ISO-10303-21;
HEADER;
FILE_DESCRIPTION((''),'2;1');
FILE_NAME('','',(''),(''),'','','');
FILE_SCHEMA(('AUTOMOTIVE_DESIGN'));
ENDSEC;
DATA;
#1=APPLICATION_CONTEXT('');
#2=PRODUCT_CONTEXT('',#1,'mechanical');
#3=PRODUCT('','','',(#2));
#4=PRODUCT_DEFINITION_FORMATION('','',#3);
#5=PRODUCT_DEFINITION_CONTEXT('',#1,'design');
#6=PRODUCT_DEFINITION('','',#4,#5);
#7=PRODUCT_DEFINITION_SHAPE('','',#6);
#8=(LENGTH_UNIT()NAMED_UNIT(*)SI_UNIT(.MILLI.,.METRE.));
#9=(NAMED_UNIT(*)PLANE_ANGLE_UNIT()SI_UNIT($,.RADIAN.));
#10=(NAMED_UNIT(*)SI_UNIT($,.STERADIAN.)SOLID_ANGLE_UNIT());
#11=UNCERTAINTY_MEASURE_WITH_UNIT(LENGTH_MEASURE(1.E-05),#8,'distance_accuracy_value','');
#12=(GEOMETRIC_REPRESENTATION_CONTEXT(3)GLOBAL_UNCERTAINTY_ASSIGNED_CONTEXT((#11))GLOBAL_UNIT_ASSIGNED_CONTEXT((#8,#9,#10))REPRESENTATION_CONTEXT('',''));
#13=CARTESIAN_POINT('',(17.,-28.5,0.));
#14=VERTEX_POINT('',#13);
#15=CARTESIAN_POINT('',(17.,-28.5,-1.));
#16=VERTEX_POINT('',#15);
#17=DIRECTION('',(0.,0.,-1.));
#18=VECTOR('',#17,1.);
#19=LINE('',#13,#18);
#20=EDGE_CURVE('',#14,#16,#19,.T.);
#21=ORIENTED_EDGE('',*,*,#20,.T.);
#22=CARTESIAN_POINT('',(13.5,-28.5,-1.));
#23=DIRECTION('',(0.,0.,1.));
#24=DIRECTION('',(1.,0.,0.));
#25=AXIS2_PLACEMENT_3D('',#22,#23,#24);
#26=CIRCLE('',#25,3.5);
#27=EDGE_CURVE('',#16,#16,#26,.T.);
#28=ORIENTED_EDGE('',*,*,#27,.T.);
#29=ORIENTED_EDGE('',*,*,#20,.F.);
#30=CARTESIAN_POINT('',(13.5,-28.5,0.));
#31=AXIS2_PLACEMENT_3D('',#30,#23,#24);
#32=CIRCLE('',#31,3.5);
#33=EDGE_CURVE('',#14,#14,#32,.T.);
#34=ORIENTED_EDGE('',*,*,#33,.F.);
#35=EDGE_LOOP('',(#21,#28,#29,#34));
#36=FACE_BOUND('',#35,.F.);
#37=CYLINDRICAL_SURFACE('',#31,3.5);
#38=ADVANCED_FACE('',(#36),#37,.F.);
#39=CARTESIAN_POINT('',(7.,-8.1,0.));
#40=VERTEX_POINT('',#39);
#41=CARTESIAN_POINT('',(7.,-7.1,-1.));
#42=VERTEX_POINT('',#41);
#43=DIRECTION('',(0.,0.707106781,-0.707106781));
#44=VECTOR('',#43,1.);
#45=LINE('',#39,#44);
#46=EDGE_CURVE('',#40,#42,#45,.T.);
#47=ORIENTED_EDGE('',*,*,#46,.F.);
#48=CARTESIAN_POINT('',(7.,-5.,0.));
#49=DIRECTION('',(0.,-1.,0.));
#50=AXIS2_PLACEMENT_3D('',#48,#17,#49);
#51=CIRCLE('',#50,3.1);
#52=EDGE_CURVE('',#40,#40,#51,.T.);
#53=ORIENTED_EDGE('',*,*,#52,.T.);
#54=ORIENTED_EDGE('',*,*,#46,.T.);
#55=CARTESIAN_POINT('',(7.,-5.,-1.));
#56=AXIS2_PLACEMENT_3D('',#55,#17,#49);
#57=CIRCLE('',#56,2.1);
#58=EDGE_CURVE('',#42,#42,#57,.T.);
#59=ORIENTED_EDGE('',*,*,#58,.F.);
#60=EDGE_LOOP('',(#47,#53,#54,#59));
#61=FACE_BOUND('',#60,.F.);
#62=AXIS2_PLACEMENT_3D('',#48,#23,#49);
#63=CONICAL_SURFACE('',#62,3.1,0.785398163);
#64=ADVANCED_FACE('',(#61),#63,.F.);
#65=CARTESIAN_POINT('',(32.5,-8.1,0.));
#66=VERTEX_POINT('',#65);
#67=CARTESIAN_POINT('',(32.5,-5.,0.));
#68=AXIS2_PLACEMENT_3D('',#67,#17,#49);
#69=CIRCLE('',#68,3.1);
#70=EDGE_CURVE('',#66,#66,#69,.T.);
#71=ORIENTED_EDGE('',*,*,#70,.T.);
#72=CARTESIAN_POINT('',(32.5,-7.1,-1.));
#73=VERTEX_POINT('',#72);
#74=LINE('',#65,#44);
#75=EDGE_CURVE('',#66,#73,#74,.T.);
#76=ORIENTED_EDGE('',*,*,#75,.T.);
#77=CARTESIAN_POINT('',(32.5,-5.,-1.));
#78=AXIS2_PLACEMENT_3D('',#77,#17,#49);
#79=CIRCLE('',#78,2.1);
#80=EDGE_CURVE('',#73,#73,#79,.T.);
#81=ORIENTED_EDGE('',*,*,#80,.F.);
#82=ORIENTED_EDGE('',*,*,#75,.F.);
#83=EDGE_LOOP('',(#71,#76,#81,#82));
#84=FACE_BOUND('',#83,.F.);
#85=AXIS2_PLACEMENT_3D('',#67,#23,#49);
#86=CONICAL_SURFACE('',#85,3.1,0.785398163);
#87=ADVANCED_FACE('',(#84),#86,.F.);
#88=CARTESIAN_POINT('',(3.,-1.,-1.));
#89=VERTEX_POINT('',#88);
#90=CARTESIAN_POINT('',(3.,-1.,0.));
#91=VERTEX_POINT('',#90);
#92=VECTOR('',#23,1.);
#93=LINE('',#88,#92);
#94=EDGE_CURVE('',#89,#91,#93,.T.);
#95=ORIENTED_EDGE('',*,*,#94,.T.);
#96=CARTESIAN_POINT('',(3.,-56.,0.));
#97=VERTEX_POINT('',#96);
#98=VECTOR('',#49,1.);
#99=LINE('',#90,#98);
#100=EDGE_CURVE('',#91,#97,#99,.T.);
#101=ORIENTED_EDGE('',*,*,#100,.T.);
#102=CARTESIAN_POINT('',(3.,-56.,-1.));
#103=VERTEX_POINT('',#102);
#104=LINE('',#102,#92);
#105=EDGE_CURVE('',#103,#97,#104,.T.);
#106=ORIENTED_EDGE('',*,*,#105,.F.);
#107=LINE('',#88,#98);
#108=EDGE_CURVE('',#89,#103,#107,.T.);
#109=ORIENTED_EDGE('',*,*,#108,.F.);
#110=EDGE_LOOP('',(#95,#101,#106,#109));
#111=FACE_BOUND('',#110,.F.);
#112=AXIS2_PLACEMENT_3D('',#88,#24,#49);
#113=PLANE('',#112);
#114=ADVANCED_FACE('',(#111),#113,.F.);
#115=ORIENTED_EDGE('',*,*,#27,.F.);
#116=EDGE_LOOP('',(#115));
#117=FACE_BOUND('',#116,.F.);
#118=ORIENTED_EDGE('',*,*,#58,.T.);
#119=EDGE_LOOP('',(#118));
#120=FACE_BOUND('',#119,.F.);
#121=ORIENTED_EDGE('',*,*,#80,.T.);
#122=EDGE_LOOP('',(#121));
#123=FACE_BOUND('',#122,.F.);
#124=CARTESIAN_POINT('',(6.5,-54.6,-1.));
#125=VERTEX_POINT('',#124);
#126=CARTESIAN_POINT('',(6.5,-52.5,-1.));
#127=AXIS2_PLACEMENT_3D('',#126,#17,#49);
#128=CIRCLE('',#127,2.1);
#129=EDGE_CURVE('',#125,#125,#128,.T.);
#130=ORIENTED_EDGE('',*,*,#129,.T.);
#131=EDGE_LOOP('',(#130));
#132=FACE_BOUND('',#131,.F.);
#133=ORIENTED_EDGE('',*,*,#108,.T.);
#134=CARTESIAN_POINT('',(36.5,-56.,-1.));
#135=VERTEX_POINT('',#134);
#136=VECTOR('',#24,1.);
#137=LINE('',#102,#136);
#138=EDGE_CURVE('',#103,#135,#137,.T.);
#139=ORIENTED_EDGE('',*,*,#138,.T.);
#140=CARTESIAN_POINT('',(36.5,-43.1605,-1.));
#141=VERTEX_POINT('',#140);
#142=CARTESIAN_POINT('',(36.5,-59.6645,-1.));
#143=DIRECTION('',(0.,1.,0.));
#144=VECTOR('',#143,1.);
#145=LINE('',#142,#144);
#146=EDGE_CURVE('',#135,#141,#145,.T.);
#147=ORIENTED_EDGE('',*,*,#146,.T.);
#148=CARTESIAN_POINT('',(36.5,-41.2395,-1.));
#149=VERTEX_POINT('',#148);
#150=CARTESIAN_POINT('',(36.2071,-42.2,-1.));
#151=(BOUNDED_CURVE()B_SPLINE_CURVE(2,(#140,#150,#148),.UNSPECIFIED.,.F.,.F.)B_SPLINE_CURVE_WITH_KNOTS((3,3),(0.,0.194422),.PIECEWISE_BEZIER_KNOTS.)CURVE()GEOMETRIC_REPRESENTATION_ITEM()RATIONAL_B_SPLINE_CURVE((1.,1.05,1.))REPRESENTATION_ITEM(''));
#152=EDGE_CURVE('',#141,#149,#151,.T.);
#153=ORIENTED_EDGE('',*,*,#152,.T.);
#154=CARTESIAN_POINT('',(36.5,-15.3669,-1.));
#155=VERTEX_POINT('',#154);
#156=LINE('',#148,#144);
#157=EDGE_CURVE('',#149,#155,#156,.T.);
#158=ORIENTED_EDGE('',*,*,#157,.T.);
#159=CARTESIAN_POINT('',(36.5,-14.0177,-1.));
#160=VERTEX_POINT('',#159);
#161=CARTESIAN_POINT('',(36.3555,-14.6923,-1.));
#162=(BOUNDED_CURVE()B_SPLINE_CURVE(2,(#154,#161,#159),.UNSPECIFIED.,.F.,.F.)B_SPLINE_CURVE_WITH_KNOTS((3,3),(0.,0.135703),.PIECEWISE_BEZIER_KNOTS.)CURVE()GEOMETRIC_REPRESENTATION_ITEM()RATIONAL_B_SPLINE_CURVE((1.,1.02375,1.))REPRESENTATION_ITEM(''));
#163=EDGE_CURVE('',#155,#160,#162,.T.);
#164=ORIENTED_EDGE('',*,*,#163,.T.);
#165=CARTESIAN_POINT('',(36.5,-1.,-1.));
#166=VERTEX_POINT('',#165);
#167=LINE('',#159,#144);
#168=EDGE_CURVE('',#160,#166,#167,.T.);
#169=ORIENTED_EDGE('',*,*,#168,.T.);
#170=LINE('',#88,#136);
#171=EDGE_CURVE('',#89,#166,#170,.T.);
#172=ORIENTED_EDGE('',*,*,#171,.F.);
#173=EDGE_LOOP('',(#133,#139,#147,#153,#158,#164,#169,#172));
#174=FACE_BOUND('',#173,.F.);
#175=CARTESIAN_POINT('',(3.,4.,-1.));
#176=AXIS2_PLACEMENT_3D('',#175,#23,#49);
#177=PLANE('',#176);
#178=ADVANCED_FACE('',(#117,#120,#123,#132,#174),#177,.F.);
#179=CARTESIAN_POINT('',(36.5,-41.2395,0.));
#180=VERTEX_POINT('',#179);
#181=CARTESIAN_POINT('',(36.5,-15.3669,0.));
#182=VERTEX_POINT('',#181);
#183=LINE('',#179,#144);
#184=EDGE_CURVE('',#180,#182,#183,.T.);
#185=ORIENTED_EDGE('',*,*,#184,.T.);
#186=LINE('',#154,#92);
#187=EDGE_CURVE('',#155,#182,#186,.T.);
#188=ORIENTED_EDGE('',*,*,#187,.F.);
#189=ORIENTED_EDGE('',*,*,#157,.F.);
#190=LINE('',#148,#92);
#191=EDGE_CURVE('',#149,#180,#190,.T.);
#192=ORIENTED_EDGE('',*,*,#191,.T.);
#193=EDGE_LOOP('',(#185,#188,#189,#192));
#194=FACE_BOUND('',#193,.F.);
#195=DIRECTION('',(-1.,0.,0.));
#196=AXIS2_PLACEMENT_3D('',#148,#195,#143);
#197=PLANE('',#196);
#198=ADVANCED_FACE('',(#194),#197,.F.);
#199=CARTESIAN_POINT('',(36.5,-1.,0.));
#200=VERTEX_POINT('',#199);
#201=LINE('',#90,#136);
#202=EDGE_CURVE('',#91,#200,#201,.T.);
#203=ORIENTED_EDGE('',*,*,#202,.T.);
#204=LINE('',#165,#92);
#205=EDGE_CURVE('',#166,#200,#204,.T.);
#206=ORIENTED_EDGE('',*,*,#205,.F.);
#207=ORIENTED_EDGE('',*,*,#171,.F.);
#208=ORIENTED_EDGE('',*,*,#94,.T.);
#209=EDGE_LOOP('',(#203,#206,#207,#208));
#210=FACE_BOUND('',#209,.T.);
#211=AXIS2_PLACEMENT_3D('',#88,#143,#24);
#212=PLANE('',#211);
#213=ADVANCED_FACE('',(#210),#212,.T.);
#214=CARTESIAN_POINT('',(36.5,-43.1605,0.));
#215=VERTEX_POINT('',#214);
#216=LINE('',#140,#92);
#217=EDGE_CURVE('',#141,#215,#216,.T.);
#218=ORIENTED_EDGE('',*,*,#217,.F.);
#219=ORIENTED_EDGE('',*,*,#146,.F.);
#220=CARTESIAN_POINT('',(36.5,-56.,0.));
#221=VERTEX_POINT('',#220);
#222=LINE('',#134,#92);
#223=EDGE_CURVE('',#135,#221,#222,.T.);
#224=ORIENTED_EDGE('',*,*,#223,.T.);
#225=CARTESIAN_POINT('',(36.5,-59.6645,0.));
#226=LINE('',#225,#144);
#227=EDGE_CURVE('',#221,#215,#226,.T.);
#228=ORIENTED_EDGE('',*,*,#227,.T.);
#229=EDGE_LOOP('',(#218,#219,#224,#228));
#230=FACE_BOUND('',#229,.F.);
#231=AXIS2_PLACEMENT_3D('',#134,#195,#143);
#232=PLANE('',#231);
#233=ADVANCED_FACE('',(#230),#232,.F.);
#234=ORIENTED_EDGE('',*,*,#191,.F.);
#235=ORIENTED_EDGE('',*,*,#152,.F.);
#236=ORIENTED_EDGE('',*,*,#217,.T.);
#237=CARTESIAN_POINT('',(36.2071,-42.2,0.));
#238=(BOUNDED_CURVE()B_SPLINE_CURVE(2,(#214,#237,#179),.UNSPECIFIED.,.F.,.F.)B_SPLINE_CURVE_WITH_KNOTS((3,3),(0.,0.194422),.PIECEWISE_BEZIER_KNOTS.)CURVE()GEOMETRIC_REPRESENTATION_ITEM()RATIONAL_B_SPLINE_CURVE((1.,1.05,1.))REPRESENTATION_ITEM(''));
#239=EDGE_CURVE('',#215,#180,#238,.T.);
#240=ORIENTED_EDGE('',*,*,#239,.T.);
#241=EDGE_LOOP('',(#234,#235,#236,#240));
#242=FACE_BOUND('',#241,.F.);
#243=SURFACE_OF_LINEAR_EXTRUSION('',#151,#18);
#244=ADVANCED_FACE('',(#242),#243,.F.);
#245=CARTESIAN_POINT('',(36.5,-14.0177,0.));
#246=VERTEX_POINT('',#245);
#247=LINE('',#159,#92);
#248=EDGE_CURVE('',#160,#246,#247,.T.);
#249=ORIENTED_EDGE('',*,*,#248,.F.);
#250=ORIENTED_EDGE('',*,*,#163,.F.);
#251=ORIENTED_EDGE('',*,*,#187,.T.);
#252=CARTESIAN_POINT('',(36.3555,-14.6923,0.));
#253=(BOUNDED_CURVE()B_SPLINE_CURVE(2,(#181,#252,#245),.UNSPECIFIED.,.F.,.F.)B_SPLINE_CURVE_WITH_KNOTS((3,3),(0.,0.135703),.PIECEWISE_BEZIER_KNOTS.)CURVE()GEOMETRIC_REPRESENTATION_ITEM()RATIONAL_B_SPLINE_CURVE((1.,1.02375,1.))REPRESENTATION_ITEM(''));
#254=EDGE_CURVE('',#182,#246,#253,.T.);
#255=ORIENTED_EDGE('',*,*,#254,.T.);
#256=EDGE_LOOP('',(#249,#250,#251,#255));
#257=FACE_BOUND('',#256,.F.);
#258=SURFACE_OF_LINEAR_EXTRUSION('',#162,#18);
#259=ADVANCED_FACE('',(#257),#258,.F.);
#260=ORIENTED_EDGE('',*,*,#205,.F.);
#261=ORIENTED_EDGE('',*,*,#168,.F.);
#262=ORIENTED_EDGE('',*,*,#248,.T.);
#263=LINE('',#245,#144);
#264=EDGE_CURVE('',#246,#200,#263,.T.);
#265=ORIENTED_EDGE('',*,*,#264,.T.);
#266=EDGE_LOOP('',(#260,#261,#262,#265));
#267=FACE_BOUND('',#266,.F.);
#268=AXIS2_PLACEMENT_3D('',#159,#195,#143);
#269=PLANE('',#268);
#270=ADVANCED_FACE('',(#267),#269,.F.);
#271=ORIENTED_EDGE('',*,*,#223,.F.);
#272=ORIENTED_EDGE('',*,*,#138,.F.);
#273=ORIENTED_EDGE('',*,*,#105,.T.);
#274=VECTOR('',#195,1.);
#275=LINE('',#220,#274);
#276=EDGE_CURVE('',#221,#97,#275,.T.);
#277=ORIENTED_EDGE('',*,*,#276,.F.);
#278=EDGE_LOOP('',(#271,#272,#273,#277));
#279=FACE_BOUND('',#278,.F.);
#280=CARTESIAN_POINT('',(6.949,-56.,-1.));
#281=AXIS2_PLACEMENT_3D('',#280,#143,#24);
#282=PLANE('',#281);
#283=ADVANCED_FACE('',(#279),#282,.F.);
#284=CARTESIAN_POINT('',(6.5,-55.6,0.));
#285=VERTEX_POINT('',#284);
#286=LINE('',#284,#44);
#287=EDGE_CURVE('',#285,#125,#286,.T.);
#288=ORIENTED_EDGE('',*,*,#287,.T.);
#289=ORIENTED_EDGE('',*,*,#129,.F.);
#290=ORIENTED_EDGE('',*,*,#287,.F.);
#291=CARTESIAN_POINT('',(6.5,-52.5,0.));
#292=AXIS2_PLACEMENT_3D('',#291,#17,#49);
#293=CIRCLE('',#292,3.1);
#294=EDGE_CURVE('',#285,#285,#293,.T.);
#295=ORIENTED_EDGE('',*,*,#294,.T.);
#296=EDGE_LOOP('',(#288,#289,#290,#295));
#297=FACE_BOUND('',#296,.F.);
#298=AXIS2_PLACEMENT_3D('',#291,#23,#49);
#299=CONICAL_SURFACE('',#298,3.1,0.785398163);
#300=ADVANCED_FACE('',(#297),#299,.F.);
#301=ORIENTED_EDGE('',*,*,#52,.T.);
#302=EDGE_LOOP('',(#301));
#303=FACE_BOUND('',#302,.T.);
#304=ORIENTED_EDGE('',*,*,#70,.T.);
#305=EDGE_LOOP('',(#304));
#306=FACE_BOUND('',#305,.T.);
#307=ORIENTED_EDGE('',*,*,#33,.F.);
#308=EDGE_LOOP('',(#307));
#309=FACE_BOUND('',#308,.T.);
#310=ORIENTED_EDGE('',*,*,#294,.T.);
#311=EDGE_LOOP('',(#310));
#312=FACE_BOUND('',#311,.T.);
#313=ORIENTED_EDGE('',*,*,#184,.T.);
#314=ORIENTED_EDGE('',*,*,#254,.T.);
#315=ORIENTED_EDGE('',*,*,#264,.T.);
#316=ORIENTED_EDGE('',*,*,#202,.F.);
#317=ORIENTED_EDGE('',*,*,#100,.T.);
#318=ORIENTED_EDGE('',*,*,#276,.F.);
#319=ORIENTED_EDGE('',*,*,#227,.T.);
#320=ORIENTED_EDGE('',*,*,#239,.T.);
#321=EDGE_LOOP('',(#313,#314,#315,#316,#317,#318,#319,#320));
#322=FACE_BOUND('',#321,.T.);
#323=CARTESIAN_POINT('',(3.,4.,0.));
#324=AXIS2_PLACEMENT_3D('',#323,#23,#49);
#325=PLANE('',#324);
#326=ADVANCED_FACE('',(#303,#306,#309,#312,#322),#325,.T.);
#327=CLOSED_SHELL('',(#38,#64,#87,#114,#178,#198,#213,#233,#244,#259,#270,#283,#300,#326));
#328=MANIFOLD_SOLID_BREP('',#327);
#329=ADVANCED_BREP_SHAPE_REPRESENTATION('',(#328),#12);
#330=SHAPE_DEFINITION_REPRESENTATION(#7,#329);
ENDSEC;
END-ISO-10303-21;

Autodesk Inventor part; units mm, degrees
ref_plane "YZ Plane" through (0, 0, 0) normal (1, 0, 0) x (0, 1, 0)
ref_plane "XZ Plane" through (0, 0, 0) normal (0, 1, 0) x (-1, 0, 0)
ref_plane "XY Plane" through (0, 0, 0) normal (0, 0, 1) x (1, 0, 0)
ref_plane "Work Plane1" through (3, 4, -1) normal (0, 0, 1) x (0, -1, 0)
sketch "Sketch1" plane through (3, 4, -1) normal (0, 0, 1) x (0, -1, 0)
  line L0 (87.75, 33.5) -> (84.9105, 33.5) projected
  line L1 (5, 0) -> (5, 33.5) projected
  line L2 (5, 0) -> (87.75, 0) projected
  line L3 (5, 0) -> (60, 0) projected
  line L4 (5, -3) -> (5, 0) projected
  line L5 (4, -3) -> (60, -3) projected
  line L6 (60, -3) -> (60, 0) projected
  circle A0 centre (74.375, 17.375) radius 6.75 projected
  line L7 (60, 0) -> (60, 33.5)
  circle A1 centre (32.5, 10.5) radius 5.5 projected
  circle A2 centre (9, 4) radius 2.1 projected
  circle A3 centre (9, 29.5) radius 2.1 projected
  circle A4 centre (56.5, 3.5) radius 2.1 projected
  line L8 (82.9895, 33.5) -> (65.5855, 33.5) projected
  line L9 (63.6645, 33.5) -> (47.1605, 33.5) projected
  spline S0 degree 2 poles (47.1605, 33.5) (46.2, 33.2071) (45.2395, 33.5) knots 0 0 0 0.194422 0.194422 0.194422 weights 1 1.05 1 projected
  line L10 (45.2395, 33.5) -> (19.3669, 33.5) projected
  spline S1 degree 2 poles (19.3669, 33.5) (18.6923, 33.3555) (18.0177, 33.5) knots 0 0 0 0.135703 0.135703 0.135703 weights 1 1.02375 1 projected
  spline S2 degree 2 poles (84.9105, 33.5) (83.95, 33.2071) (82.9895, 33.5) knots 0 0 0 0.194422 0.194422 0.194422 weights 1 1.05 1 projected
  spline S3 degree 2 poles (65.5855, 33.5) (64.625, 33.2071) (63.6645, 33.5) knots 0 0 0 0.194422 0.194422 0.194422 weights 1 1.05 1 projected
  line L11 (87.75, 0) -> (87.75, 33.5) projected
  line L12 (18.0177, 33.5) -> (5, 33.5) projected
  line L13 (60, 30.5) -> (60, 3.949) projected
  arc A5 (63.949, 0) -> (60, 3.949) centre (62.75, 2.75) ccw projected
  line L14 (63.949, 0) -> (84.801, 0) projected
  arc A6 (87.199, 0) -> (84.801, 0) centre (86, 2.75) ccw projected
  line L15 (87.199, 0) -> (183, 0) projected
  line L16 (142.5556, 30.5) -> (60, 30.5) projected
  line L17 (183, 0) -> (183, 4.5) projected
  line L18 (183, 4.5) -> (142.5556, 30.5) projected
  point P0 (89.75, 33.5)
  point P1 (52, 0)
  point P2 (64.076, 0)
  point P3 (87.674, 0)
  point P4 (63.25, 3.25)
  point P5 (86.9105, 33.5)
  point P6 (84.9895, 33.5)
  point P7 (60, 1.551)
extrude "Extrusion1" add sketch "Sketch1" along normal blind 1 contours L7 L2 L1 L12 S1 L10 S0 L9 | A1 | A2 | A3 | A4
sketch "Sketch2" plane through (3, 4, 0) normal (0, 0, 1) x (1, 0, 0)
  line L0 (12.5287, -34.71) -> (8.4496, -34.6899)
  arc A0 (8.4713, -30.29) -> (8.4496, -34.6899) centre (10.5, -32.5) ccw
  line L1 (8.4713, -30.29) -> (12.5504, -30.3101)
  arc A1 (12.5287, -34.71) -> (12.5504, -30.3101) centre (10.5, -32.5) ccw
  circle A2 centre (10.5, -32.5) radius 3
  circle A3 centre (10.5, -32.5) radius 3.5
  point P0 (-3, -4)
  dimension "d5" = 0.5
extrude "Extrusion2" cut sketch "Sketch2" against normal up to next contours A2 L0 | L0 A0 L1 A1 | A2 L1 | A3
sketch "Sketch3" plane through (3, 4, 0) normal (0, 0, 1) x (1, 0, 0)
  circle A0 centre (10.5, -32.5) radius 3.5 projected
  line L0 (0, -5) -> (0, -60) projected
  line L1 (33.5, -5) -> (0, -5) projected
  circle A1 centre (3.5, -56.5) radius 3.5
  circle A2 centre (4, -9) radius 4
  circle A3 centre (3.5, -56.5) radius 2.6
  circle A4 centre (4, -9) radius 2.6
  circle A5 centre (29.5, -9) radius 4
  circle A6 centre (29.5, -9) radius 2.6
  line L2 (33.5, -60) -> (33.5, -47.1605) projected
  line L3 (33.5, -45.2395) -> (33.5, -19.3669) projected
  line L4 (33.5, -18.0177) -> (33.5, -5) projected
  line L5 (0, -60) -> (33.5, -60) projected
  point P0 (-3, -4)
  dimension "d8" = 7
  dimension "d17" = 8
  dimension "d18" = 5.2
  dimension "d19" = 5.2
  dimension "d20" = 4
  dimension "d21" = 4
  dimension "d22" = 8
  dimension "d23" = 5.2
  dimension "d25" = 4
hole "Hole1" at (6.5, -52.5, 0) at (7, -5, 0) at (32.5, -5, 0) direction (0, 0, -1) diameter 3.6 end through all countersink diameter 6.2 countersink angle 90 clearance for "Countersunk Flat Head Screw ISO 2009/7046" size "M3" standard "ISO"
properties part number "right_metal_gear_bracker" material "Nylon 6/6"
